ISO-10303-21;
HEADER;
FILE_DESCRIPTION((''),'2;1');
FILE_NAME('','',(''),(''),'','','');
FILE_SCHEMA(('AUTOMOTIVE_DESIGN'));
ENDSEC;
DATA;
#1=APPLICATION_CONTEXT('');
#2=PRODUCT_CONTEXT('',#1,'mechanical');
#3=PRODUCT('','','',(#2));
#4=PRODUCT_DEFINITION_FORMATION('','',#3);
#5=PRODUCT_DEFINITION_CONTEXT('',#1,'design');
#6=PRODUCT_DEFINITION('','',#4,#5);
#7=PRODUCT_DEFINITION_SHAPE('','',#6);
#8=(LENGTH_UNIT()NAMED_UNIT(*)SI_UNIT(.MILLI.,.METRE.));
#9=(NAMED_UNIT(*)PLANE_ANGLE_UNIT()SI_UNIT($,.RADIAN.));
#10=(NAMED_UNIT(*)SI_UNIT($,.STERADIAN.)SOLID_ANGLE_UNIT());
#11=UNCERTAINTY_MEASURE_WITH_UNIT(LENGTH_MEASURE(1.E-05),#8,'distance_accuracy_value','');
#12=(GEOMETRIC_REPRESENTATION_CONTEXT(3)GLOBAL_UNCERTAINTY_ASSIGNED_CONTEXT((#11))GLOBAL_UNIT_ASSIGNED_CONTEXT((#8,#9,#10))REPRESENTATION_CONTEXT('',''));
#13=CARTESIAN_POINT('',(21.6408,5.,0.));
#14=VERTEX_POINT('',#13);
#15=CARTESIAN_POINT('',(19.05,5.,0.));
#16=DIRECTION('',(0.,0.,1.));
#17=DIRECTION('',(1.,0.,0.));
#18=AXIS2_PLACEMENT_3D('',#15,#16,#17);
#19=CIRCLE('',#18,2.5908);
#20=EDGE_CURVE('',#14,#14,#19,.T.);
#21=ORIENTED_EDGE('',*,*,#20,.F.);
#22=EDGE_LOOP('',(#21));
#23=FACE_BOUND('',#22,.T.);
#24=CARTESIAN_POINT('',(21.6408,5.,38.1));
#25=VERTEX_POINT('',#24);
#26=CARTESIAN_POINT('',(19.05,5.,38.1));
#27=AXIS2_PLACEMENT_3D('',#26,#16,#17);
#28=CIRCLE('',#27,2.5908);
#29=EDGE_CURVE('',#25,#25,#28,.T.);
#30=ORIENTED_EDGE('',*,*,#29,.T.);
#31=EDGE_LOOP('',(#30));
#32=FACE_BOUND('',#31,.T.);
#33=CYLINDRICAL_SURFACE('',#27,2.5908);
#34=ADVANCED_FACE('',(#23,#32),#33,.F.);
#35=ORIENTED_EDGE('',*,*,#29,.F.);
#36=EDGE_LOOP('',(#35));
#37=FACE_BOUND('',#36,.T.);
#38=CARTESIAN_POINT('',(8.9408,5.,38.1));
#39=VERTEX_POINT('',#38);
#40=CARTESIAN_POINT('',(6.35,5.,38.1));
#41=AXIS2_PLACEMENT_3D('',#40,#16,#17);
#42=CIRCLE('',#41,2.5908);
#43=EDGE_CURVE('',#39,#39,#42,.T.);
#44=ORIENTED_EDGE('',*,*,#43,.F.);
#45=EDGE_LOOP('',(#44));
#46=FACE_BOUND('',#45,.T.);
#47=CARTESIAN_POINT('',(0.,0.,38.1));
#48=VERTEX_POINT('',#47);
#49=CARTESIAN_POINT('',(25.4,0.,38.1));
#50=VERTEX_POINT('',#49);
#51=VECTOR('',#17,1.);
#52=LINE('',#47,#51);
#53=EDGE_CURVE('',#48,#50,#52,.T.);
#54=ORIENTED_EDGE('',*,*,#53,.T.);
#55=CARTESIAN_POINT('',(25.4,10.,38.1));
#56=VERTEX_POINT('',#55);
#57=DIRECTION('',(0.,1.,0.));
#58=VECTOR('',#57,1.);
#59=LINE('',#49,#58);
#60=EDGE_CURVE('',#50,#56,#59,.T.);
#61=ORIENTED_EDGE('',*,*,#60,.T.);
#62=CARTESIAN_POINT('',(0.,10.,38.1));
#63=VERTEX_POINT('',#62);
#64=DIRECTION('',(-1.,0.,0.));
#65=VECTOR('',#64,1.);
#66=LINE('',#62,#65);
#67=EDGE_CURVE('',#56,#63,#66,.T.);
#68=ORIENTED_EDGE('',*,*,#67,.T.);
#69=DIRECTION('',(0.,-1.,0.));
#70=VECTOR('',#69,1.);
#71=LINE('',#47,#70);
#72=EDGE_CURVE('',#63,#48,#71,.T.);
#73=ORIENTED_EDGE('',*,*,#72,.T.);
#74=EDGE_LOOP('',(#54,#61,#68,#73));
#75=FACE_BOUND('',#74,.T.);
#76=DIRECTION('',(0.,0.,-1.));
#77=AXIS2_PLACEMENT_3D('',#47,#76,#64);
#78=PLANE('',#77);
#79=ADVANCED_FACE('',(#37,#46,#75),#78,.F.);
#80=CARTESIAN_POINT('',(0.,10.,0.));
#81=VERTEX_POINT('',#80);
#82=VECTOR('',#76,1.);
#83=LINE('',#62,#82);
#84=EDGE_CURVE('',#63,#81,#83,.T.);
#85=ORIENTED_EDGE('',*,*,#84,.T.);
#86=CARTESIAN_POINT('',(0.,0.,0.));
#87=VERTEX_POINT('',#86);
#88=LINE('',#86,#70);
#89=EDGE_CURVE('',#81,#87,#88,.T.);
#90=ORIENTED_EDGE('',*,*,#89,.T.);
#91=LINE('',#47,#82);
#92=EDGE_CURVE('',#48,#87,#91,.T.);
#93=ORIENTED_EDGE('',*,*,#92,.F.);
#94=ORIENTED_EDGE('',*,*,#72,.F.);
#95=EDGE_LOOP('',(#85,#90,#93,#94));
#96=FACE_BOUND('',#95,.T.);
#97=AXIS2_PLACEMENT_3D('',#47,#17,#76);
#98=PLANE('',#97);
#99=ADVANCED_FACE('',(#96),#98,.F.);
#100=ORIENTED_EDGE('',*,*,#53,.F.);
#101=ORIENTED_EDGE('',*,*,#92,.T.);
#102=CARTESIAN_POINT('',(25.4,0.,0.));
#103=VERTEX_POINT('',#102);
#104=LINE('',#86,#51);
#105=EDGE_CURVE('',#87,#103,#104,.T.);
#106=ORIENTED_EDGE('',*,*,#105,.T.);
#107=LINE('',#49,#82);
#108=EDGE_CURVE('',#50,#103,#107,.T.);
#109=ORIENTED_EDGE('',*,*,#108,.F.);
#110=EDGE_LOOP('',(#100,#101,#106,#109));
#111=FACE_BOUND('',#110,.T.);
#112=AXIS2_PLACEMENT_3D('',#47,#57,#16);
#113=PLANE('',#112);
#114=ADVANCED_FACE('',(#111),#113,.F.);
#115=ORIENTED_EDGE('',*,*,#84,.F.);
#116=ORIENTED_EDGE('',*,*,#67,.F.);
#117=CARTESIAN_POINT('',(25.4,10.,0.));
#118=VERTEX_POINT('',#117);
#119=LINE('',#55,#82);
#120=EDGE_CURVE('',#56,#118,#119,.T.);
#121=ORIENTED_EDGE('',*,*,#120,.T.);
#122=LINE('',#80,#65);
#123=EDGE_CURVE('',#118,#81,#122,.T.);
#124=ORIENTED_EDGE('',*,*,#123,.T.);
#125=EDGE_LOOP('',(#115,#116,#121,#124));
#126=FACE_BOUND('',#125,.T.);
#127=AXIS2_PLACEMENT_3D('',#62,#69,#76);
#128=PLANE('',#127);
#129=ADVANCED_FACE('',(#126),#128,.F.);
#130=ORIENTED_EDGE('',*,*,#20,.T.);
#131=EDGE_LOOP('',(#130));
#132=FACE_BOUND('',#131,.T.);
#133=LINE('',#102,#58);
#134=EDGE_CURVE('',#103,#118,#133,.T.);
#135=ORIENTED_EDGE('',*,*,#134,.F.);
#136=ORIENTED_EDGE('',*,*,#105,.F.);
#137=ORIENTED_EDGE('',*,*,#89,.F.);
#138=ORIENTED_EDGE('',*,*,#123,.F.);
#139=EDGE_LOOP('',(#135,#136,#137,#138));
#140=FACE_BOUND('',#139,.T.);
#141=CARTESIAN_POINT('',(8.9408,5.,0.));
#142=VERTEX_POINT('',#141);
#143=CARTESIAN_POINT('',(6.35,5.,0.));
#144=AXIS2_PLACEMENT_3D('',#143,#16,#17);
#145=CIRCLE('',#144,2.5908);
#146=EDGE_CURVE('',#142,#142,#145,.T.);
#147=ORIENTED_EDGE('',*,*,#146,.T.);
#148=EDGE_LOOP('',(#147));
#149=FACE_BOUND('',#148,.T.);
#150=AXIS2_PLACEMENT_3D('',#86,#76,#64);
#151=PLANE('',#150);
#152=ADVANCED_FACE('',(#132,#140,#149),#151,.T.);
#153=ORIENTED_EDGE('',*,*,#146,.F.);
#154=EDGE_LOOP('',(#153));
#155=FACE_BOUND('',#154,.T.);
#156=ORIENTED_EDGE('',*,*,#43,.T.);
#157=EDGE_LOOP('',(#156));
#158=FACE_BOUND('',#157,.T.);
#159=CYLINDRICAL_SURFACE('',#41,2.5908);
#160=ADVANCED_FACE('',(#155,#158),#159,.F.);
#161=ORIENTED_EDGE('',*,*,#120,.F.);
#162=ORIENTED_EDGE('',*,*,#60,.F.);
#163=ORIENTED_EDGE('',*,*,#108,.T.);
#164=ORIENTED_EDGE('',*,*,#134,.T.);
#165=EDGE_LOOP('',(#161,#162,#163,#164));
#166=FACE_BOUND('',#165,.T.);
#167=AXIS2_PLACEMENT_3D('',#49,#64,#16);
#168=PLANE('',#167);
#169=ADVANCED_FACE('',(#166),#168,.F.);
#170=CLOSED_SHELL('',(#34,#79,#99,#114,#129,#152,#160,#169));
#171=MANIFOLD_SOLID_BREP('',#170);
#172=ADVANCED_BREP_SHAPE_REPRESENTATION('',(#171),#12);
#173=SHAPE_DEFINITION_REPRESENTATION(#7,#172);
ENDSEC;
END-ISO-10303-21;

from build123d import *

# Parameters (mm, degrees)
SKETCH2_W                  = 25.4
SKETCH2_H                  = 10
BOSS_EXTRUDE1_DEPTH        = 38.1
F_6_0_204_DIAMETER_HOLE1_D = 5.1816


with BuildPart() as part:
    # Sketch2 → Boss-Extrude1 (new body)
    with BuildSketch(Plane.XY):
        with Locations((12.7, 5)):
            Rectangle(SKETCH2_W, SKETCH2_H)
    extrude(amount=BOSS_EXTRUDE1_DEPTH)

    # #6 (0.204) Diameter Hole1 (through all)
    with Locations(Plane.XY.offset(38.1)):
        with Locations((19.05, 5), (6.35, 5)):
            Hole(F_6_0_204_DIAMETER_HOLE1_D / 2)


solid = part.part
